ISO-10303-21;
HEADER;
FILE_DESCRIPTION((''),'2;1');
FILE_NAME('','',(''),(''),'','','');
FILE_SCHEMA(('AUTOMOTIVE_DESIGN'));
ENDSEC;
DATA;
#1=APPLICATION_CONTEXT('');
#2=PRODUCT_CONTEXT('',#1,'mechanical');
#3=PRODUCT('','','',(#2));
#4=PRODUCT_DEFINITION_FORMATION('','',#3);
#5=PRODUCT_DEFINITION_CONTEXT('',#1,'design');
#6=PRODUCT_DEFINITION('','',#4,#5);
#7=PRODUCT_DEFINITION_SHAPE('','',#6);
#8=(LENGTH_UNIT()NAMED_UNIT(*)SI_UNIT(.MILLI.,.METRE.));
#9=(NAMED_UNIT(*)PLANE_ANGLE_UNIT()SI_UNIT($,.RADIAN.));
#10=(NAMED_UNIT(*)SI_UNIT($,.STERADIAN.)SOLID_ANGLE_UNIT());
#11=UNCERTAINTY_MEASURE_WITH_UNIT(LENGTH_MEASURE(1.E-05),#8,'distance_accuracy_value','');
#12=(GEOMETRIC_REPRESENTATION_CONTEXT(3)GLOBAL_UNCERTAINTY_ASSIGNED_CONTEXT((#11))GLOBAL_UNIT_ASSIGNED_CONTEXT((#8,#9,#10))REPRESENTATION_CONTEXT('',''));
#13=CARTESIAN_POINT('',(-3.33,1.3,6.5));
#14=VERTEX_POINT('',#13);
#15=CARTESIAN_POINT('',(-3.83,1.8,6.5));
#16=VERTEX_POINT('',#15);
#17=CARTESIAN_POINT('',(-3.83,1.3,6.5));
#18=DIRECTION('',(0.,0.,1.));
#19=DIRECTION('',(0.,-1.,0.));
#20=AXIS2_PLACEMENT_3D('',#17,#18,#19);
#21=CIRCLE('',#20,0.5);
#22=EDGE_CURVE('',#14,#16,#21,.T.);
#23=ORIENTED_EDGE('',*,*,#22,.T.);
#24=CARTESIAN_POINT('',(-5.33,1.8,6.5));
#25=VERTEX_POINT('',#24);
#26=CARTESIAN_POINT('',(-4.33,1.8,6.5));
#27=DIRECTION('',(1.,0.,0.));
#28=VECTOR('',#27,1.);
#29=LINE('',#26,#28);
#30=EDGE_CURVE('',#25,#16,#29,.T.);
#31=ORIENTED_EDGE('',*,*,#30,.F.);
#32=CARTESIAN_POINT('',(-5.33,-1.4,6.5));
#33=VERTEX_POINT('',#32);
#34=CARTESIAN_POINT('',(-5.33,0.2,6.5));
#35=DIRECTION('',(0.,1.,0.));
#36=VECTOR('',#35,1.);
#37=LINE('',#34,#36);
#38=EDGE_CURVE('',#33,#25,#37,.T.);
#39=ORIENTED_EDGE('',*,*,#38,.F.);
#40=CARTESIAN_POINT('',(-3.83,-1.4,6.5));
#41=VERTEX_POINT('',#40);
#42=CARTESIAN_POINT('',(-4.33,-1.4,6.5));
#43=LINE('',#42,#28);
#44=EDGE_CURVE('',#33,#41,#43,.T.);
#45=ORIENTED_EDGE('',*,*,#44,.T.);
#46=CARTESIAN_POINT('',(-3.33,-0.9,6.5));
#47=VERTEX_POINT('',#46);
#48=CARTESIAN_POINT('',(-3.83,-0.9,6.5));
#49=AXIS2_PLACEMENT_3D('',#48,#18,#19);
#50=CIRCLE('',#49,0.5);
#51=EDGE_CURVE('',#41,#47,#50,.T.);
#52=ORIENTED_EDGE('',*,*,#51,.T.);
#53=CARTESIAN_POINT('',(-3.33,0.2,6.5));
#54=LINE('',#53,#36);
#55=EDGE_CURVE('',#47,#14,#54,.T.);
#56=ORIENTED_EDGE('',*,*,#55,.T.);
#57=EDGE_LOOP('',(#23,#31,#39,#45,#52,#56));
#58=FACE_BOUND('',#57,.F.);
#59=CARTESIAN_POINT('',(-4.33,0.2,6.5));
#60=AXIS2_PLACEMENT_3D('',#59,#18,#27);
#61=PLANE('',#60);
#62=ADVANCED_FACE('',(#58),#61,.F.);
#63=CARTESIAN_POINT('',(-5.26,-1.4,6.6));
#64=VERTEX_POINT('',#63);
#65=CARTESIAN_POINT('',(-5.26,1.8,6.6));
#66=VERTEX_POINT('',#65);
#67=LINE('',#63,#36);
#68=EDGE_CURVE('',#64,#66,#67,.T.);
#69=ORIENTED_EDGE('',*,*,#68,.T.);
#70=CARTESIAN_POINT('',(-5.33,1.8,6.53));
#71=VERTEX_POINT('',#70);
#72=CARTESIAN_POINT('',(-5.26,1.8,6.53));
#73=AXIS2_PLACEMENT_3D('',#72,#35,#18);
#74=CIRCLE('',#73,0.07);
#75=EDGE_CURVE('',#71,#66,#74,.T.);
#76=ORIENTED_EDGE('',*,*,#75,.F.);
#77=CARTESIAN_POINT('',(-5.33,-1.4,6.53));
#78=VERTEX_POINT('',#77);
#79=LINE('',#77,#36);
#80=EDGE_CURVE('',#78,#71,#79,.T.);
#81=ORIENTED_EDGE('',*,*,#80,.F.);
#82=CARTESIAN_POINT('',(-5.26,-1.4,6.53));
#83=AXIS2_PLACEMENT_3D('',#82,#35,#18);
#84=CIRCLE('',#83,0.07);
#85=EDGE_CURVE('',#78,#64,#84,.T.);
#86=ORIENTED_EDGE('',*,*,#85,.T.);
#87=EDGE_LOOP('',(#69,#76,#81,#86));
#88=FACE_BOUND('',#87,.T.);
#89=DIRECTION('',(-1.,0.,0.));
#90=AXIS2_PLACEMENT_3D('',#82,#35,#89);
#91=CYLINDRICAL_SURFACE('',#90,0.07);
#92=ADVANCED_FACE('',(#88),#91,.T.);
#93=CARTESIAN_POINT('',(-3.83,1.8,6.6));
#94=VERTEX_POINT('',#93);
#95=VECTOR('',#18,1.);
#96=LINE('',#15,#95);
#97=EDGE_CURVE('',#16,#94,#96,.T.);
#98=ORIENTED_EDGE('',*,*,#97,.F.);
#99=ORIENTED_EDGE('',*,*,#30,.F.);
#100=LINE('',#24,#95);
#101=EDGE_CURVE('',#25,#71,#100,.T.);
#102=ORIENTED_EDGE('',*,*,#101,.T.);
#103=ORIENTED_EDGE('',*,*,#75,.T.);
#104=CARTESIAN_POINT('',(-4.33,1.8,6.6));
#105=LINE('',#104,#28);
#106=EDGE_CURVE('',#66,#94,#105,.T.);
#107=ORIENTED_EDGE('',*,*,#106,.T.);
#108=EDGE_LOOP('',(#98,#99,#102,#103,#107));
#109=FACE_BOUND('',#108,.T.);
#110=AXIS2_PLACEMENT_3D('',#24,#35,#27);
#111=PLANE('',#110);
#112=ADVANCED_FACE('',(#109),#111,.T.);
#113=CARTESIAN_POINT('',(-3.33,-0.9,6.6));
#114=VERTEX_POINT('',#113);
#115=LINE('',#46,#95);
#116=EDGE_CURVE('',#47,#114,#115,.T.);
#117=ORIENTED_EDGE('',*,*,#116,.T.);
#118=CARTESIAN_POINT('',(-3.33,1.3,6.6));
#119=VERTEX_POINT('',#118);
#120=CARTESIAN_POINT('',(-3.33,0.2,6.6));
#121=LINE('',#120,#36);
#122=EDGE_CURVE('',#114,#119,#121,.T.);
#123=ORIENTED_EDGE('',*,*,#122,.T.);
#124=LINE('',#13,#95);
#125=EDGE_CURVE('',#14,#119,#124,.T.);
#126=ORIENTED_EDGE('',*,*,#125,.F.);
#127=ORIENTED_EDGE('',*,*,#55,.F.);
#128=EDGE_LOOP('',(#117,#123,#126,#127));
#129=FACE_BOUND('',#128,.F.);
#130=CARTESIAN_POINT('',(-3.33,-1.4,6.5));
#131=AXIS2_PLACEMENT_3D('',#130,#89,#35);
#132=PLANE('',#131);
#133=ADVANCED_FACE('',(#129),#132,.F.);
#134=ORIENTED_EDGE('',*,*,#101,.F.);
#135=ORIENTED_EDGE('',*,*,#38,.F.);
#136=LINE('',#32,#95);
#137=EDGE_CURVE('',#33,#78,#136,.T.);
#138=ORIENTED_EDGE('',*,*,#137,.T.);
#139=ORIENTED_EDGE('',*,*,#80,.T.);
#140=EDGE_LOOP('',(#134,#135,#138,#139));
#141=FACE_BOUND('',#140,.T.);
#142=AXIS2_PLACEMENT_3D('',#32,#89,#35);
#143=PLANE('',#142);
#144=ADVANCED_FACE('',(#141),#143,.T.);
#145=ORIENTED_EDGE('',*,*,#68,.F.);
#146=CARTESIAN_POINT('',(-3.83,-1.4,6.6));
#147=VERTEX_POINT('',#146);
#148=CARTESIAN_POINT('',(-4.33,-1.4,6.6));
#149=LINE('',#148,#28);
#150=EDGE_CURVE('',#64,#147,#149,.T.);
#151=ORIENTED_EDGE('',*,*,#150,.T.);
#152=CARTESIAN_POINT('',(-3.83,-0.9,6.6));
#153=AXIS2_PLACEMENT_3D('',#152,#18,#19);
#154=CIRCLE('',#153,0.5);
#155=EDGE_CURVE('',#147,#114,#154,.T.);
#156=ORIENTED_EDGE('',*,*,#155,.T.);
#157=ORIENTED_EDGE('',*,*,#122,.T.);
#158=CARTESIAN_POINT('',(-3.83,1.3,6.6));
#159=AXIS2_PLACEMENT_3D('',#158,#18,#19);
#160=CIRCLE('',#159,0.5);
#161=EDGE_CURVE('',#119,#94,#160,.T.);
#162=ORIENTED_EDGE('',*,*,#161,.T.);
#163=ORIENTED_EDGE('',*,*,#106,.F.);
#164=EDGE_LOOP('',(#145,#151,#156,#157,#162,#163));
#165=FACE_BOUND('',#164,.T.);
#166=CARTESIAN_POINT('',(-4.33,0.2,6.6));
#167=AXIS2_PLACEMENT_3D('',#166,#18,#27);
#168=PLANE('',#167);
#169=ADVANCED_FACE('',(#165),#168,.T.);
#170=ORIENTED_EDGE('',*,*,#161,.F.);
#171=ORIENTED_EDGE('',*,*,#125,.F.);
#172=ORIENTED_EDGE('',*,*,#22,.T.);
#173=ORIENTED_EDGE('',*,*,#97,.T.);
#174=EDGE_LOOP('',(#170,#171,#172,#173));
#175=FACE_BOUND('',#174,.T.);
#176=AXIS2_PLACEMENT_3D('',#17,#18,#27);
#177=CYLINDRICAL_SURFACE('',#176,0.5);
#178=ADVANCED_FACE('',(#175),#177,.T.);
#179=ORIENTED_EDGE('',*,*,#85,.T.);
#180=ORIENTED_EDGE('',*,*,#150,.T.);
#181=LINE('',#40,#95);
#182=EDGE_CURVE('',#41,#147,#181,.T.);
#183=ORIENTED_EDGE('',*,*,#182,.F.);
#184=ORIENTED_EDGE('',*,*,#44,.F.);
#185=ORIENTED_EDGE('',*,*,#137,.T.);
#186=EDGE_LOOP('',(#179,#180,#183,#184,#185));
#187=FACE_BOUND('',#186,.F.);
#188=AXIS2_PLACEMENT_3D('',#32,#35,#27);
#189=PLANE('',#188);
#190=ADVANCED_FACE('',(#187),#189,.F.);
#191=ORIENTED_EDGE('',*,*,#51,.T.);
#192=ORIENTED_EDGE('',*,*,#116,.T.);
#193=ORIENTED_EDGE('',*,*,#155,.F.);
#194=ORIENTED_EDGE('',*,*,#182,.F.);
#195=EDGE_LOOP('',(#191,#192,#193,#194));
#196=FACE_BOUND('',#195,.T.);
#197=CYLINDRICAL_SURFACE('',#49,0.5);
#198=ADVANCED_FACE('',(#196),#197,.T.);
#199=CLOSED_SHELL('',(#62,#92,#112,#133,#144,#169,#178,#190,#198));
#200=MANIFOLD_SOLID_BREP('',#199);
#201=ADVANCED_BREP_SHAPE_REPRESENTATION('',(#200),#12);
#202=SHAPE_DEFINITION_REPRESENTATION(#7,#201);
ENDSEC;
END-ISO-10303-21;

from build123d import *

# Parameters (mm, degrees)
SKETCH007_W  = 2
SKETCH007_H  = 3.2
PAD010_DEPTH = 0.1
FILLET013_R  = 0.5
FILLET014_R  = 0.07


with BuildPart() as part:
    # Sketch007 → Pad010 (new body)
    with BuildSketch(Plane.XY):
        with Locations((-4.33, 0.2)):
            Rectangle(SKETCH007_W, SKETCH007_H)
    extrude(amount=PAD010_DEPTH)

    # Fillet013
    fillet013_edges = [part.edges().sort_by_distance(p)[0] for p in [
        (-3.33, -1.4, 0.05),
        (-3.33, 1.8, 0.05),
    ]]
    fillet(fillet013_edges, radius=FILLET013_R)

    # Fillet014
    fillet014_edges = [part.edges().sort_by_distance(p)[0] for p in [
        (-5.33, 0.2, 0.1),
    ]]
    fillet(fillet014_edges, radius=FILLET014_R)


with BuildPart() as part_1:
    # Body008 placement: moved
    add(part.part.moved(Location((0, 0, 6.5))))


solid = part_1.part
